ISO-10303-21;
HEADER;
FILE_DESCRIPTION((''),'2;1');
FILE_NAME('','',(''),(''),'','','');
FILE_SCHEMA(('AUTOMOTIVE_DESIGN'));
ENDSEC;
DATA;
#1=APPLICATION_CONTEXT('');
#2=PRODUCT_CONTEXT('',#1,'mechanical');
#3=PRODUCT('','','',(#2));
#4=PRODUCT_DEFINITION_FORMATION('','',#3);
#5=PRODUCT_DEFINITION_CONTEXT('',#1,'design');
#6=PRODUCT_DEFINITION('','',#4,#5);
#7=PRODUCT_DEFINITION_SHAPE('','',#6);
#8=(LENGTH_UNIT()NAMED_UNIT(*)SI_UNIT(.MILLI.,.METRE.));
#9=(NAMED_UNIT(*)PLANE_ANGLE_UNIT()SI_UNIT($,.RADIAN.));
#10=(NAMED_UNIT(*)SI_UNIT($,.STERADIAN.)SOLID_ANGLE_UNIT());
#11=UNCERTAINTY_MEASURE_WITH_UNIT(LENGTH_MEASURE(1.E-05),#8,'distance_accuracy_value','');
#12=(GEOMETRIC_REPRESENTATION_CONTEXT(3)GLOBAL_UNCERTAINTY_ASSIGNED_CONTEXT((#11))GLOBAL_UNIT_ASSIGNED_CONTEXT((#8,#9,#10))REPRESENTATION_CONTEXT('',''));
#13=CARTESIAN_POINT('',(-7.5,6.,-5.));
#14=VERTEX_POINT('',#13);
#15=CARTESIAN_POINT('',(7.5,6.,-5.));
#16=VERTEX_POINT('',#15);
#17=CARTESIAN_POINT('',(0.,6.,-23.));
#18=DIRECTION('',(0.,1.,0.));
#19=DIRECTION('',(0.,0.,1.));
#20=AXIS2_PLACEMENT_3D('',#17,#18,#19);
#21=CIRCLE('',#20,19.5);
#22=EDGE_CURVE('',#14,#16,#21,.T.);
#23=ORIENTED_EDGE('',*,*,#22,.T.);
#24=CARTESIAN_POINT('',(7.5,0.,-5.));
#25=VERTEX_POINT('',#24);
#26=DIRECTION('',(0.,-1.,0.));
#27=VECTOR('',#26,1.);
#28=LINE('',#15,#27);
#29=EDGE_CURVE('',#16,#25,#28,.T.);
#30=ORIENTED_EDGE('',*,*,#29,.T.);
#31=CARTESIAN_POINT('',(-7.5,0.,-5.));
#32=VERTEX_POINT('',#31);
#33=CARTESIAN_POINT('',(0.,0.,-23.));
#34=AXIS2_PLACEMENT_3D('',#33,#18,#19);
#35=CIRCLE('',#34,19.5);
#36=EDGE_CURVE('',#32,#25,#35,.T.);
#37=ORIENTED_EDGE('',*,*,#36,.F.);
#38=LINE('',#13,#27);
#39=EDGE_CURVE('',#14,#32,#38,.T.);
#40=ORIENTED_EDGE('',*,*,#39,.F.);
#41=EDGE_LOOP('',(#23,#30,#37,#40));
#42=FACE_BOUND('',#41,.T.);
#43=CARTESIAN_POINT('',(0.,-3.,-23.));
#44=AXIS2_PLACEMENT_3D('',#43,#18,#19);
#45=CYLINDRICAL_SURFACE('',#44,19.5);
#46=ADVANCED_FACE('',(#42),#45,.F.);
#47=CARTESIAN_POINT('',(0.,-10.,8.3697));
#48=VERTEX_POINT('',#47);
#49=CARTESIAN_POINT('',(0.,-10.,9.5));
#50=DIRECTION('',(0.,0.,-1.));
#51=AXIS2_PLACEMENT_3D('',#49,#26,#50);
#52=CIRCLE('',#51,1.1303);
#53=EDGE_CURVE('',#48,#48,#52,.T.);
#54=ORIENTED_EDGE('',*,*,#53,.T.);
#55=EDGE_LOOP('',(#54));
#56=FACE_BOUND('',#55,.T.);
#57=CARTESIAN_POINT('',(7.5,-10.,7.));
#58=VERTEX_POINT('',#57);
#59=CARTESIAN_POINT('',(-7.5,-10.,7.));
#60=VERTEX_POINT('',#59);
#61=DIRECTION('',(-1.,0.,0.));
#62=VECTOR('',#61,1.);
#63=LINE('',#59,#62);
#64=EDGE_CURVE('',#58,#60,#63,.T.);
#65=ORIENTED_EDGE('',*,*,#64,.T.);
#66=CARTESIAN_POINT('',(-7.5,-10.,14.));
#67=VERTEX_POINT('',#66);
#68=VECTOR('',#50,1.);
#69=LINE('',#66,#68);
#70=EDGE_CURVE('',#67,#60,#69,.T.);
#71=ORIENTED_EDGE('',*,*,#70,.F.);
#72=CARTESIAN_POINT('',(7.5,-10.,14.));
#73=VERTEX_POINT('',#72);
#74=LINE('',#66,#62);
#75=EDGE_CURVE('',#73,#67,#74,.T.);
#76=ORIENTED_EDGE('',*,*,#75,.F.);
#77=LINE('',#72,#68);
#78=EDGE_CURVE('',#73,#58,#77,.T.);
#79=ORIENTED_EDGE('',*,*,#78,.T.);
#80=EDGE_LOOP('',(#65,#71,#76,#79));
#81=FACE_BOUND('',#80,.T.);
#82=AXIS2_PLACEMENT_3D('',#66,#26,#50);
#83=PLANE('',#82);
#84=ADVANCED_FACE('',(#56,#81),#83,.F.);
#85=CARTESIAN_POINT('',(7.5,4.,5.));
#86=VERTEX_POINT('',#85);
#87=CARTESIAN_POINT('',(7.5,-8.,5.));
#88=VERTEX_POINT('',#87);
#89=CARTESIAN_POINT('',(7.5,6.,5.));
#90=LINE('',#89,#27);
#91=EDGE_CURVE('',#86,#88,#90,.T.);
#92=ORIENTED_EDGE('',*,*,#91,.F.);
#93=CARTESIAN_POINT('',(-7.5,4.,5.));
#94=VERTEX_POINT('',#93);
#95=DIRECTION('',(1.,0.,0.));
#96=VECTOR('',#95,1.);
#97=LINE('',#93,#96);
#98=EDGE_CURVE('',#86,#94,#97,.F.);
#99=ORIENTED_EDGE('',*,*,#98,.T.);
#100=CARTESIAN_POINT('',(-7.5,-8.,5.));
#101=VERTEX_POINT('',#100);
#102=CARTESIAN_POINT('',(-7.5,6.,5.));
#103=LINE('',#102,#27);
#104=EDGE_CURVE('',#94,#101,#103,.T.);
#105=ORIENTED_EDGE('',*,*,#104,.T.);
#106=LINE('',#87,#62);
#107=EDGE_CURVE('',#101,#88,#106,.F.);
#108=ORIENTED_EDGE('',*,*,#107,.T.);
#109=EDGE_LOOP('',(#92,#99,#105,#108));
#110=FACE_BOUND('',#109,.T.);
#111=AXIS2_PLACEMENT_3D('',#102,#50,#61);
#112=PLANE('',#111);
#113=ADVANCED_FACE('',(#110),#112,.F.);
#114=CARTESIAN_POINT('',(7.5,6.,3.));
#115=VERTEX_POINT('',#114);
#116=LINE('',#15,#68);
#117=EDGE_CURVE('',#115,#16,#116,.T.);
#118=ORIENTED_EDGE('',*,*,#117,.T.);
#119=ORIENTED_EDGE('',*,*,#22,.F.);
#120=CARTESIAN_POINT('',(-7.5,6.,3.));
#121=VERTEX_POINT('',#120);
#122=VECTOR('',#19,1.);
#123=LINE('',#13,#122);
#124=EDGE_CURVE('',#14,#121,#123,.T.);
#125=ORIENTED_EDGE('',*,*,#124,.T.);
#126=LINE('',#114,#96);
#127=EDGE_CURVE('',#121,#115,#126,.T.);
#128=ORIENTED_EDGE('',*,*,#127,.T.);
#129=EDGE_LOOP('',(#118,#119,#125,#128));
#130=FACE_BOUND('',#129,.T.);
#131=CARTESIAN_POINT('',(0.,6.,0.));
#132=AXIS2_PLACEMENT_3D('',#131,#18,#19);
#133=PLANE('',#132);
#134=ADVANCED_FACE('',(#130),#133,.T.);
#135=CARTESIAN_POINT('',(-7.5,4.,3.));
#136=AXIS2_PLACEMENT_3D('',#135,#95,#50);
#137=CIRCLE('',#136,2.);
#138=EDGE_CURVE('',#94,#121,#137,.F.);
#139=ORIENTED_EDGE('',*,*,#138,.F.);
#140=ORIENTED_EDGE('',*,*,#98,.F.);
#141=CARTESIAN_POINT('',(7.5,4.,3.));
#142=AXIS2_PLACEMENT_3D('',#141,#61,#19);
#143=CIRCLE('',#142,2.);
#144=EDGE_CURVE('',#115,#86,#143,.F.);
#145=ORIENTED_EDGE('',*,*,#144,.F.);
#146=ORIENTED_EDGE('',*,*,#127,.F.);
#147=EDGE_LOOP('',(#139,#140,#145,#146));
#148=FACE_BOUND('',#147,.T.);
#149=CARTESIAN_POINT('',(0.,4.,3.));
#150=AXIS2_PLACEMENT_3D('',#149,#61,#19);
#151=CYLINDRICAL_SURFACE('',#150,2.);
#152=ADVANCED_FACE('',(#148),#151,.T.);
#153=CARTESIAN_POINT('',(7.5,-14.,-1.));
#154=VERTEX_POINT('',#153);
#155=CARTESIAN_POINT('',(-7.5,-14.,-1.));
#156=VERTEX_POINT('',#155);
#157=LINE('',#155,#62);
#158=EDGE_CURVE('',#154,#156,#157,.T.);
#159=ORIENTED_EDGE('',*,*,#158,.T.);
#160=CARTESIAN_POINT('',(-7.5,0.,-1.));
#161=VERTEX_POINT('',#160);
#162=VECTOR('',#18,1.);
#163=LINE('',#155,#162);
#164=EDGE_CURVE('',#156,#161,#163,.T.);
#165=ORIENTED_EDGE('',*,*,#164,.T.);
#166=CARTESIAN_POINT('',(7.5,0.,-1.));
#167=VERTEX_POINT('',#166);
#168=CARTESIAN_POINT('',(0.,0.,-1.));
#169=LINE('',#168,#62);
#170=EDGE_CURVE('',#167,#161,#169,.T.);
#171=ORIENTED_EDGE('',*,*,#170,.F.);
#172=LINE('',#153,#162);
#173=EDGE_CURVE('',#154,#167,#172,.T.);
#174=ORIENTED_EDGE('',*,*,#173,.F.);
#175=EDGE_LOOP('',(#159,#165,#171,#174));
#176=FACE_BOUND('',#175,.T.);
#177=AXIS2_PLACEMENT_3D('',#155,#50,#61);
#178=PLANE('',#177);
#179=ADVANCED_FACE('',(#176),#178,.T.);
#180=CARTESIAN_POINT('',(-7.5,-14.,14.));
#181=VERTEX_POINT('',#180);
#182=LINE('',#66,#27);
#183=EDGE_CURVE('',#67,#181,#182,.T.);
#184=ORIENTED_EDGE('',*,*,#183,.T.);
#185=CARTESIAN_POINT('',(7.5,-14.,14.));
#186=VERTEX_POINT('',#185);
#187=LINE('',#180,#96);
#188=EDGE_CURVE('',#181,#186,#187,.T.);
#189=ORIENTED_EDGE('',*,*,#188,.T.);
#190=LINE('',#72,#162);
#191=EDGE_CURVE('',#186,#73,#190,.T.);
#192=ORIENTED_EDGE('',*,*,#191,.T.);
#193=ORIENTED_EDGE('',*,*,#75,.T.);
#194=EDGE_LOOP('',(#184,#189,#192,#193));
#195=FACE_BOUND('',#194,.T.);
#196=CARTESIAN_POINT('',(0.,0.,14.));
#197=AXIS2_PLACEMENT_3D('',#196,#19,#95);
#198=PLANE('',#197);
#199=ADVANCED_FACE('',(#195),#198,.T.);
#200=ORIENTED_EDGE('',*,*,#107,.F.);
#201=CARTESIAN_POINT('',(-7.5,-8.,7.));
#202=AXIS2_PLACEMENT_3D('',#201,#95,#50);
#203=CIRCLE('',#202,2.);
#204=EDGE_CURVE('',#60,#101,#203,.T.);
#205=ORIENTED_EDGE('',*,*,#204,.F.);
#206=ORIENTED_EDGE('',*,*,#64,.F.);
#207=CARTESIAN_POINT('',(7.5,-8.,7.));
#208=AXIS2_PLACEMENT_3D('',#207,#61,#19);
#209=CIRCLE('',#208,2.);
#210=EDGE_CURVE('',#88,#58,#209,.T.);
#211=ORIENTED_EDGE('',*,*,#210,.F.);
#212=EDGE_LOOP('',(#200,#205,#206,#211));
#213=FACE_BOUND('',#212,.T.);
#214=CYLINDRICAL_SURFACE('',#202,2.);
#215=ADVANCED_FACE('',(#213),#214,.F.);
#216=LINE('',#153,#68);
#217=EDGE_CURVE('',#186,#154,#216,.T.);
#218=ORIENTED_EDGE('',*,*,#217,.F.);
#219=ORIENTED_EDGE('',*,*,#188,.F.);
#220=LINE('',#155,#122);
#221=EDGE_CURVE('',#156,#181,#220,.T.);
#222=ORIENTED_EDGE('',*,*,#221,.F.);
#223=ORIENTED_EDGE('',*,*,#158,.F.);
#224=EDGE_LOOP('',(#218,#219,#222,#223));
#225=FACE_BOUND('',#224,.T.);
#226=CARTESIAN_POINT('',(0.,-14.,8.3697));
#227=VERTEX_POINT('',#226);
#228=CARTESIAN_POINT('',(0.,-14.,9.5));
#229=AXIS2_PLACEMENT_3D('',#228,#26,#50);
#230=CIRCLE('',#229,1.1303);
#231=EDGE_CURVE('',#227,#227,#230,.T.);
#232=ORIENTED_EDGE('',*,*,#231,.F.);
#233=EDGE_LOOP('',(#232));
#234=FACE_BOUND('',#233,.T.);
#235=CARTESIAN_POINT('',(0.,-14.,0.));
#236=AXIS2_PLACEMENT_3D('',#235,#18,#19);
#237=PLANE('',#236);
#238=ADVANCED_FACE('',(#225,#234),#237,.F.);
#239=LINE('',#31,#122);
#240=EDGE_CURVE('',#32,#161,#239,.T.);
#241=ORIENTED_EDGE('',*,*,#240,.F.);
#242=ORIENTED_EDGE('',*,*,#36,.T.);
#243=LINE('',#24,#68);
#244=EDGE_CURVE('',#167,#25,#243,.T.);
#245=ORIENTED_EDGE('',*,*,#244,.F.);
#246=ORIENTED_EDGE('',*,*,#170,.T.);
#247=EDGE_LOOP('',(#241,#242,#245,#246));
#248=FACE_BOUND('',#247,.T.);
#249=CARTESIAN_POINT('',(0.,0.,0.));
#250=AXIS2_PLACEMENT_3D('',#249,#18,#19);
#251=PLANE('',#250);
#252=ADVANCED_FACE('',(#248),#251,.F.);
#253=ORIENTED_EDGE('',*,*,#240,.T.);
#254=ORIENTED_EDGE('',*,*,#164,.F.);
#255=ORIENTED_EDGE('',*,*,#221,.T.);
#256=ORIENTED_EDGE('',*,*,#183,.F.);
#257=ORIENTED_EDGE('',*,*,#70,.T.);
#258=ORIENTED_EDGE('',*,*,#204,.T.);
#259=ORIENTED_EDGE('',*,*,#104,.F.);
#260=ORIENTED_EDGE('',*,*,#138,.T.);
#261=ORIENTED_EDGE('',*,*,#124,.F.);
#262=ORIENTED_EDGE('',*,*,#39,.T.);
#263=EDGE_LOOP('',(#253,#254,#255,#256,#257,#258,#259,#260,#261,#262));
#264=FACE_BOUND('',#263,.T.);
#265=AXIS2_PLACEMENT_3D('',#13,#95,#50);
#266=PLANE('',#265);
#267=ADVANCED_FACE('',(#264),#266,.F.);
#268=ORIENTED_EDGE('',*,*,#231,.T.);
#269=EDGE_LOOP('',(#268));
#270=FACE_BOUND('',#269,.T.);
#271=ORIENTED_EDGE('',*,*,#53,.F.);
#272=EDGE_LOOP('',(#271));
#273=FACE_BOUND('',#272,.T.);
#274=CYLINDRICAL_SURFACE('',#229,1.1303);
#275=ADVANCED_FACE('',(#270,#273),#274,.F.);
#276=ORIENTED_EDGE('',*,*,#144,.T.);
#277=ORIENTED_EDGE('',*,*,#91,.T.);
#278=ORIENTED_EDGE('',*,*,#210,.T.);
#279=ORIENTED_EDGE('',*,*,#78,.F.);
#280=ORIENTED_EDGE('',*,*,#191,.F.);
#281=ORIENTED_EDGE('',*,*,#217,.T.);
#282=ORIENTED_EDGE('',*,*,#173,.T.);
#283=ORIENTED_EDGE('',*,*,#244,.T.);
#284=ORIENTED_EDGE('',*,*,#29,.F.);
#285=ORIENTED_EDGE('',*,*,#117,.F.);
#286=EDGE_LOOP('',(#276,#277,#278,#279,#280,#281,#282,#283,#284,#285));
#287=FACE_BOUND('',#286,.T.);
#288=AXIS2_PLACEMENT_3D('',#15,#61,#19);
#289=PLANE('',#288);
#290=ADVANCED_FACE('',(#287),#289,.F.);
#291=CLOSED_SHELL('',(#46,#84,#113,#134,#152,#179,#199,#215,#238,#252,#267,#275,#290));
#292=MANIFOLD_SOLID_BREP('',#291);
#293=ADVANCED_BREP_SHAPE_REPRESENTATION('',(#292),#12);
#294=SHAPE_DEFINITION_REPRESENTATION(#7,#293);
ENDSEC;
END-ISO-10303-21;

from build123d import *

# Parameters (mm, degrees)
SKETCH1_W                 = 15
SKETCH1_H                 = 10
BOSS_EXTRUDE1_DEPTH       = 6
SKETCH2_R                 = 19.5
CUT_EXTRUDE1_DEPTH        = 9
SKETCH3_W                 = 15
SKETCH3_H                 = 6
BOSS_EXTRUDE2_DEPTH       = 20
SKETCH4_W                 = 15
SKETCH4_H                 = 4
BOSS_EXTRUDE3_DEPTH       = 9
F_4_40_TAPPED_HOLE2_D     = 2.2606
F_4_40_TAPPED_HOLE2_DEPTH = 7.6
F_4_40_TAPPED_HOLE2_TIP   = 0.679152758
FILLET2_R                 = 2


with BuildPart() as part:
    # Sketch1 → Boss-Extrude1 (new body)
    with BuildSketch(Plane(origin=(0, 0, 0), x_dir=(1, 0, 0), z_dir=(0, 1, 0))):
        Rectangle(SKETCH1_W, SKETCH1_H)
    extrude(amount=BOSS_EXTRUDE1_DEPTH)

    # Sketch2 → Cut-Extrude1 (cut)
    with BuildSketch(Plane(origin=(0, 6, 0), x_dir=(1, 0, 0), z_dir=(0, 1, 0))):
        with Locations((0, 23)):
            Circle(SKETCH2_R)
    extrude(amount=-CUT_EXTRUDE1_DEPTH, mode=Mode.SUBTRACT)

    # Sketch3 → Boss-Extrude2 (add)
    with BuildSketch(Plane(origin=(0, 6, 0), x_dir=(1, 0, 0), z_dir=(0, 1, 0))):
        with Locations((0, -2)):
            Rectangle(SKETCH3_W, SKETCH3_H)
    extrude(amount=-BOSS_EXTRUDE2_DEPTH)

    # Sketch4 → Boss-Extrude3 (add)
    with BuildSketch(Plane.XY.offset(5)):
        with Locations((0, -12)):
            Rectangle(SKETCH4_W, SKETCH4_H)
    extrude(amount=BOSS_EXTRUDE3_DEPTH)

    # #4-40 Tapped Hole2
    with Locations(Plane(origin=(0, -14, 0), x_dir=(-1, 0, 0), z_dir=(0, -1, 0))):
        with Locations((0, -9.5)):
            Hole(F_4_40_TAPPED_HOLE2_D / 2, depth=F_4_40_TAPPED_HOLE2_DEPTH)
            with Locations((0, 0, -(F_4_40_TAPPED_HOLE2_DEPTH + F_4_40_TAPPED_HOLE2_TIP / 2))):  # 118° drill point
                Cone(0, F_4_40_TAPPED_HOLE2_D / 2, F_4_40_TAPPED_HOLE2_TIP, mode=Mode.SUBTRACT)

    # Fillet2
    fillet2_edges = [part.edges().sort_by_distance(p)[0] for p in [
        (0, -10, 5),
        (0, 6, 5),
    ]]
    fillet(fillet2_edges, radius=FILLET2_R)


solid = part.part
